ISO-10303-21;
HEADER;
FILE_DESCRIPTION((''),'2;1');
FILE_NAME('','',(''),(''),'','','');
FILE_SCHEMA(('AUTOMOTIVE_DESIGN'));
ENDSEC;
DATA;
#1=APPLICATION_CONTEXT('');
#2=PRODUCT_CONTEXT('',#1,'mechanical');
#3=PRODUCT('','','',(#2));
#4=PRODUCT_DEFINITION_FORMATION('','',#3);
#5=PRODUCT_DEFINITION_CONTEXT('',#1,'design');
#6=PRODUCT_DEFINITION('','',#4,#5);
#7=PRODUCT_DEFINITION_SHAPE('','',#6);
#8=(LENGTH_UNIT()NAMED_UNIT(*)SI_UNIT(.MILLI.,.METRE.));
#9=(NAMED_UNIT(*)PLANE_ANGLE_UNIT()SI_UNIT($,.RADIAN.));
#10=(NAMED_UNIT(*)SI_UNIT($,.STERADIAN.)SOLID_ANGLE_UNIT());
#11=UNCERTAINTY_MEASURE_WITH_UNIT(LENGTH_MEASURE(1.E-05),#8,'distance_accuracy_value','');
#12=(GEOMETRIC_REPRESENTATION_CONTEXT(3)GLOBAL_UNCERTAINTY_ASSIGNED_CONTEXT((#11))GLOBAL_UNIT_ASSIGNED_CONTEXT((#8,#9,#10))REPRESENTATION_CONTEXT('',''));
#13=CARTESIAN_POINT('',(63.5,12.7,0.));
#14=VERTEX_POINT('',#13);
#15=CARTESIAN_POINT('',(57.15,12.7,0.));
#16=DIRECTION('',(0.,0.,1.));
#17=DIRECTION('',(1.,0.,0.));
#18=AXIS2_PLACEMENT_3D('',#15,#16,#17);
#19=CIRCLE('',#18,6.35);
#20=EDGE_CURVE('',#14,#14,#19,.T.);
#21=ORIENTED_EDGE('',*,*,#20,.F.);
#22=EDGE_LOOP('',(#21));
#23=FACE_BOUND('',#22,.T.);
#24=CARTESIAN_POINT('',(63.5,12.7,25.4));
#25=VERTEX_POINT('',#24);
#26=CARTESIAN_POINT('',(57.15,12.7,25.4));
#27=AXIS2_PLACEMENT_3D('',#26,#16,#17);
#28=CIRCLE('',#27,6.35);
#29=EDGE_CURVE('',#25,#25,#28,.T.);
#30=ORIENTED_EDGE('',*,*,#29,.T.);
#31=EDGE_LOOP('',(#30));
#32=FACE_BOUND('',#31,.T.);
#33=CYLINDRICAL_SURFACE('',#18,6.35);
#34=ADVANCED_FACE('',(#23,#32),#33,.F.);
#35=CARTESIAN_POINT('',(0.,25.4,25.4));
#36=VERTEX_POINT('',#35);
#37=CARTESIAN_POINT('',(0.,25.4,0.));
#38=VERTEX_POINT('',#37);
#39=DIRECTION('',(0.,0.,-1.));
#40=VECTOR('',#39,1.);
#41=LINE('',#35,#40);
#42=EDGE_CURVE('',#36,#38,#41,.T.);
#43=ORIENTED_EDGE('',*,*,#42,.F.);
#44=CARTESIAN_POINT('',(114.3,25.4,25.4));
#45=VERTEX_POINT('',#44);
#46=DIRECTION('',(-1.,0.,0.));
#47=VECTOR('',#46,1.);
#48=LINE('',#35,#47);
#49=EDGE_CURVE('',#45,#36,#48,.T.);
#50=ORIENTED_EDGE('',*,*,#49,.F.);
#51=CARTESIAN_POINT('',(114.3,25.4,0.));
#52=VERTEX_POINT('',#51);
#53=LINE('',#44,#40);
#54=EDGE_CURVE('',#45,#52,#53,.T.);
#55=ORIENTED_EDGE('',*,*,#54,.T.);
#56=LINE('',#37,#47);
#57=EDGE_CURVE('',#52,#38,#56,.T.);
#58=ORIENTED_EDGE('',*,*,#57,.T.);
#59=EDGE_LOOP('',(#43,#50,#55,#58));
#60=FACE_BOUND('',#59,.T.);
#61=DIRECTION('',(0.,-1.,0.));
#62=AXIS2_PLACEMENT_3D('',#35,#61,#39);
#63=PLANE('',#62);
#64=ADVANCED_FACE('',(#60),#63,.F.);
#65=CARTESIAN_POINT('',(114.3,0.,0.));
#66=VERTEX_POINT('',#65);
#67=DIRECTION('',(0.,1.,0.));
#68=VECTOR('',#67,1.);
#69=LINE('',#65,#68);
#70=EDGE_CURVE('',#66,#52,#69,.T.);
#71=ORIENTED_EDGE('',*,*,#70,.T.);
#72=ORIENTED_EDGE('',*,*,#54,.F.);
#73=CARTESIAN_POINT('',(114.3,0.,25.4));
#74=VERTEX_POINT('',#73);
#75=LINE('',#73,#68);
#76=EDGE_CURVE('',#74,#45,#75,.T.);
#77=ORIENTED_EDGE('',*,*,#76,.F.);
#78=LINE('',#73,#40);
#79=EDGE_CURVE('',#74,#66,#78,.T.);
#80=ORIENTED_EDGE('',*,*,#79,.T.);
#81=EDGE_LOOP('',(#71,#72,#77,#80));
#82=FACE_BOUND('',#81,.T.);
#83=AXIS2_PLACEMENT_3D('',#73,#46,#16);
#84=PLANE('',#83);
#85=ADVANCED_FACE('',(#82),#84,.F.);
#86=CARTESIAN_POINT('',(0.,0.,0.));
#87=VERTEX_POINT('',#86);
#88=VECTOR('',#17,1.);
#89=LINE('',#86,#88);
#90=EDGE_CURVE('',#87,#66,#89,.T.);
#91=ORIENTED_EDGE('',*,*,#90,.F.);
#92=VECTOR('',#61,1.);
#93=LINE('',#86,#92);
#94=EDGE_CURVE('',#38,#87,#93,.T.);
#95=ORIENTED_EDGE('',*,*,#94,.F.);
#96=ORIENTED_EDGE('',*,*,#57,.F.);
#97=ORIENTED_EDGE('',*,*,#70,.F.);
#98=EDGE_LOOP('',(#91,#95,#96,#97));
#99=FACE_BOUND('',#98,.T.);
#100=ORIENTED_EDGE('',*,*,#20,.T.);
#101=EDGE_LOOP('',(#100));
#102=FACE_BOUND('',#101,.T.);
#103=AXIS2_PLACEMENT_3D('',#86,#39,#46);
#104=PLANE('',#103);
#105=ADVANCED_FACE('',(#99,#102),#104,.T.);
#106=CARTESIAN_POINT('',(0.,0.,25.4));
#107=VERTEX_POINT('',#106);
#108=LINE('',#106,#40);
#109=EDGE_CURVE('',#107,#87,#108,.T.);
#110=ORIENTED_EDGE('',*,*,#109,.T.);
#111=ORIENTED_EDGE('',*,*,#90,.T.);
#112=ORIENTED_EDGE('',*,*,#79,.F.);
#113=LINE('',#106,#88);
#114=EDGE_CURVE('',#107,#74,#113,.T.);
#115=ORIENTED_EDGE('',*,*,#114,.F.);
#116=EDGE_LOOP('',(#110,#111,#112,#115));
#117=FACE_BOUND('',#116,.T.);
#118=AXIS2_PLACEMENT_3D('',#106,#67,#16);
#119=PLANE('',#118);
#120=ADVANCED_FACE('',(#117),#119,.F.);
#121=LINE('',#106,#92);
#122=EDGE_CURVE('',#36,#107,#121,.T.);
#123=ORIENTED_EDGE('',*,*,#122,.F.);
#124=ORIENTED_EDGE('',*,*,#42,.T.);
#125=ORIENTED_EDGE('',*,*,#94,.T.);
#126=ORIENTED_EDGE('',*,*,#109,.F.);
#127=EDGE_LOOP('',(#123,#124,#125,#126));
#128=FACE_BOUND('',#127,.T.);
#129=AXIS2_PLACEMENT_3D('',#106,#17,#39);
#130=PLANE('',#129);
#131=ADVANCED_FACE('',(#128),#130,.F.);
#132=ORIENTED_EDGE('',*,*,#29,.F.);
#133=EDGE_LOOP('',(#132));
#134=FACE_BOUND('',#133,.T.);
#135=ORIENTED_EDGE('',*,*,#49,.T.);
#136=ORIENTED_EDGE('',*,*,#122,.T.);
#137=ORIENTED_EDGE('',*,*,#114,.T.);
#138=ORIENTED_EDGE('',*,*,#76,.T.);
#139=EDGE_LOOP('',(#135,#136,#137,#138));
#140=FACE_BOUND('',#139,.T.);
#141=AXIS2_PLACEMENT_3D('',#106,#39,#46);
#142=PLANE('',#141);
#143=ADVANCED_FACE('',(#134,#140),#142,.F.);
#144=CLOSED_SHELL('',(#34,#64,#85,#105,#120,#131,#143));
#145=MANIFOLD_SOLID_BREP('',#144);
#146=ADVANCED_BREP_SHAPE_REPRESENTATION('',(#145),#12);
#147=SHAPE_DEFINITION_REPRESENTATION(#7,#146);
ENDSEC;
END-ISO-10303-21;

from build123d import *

# Parameters (mm, degrees)
SKETCH1_W           = 114.3
SKETCH1_H           = 25.4
BOSS_EXTRUDE1_DEPTH = 25.4
SKETCH2_R           = 6.35
CUT_EXTRUDE1_DEPTH  = 120.811560377


with BuildPart() as part:
    # Sketch1 → Boss-Extrude1 (new body)
    with BuildSketch(Plane.XY):
        with Locations((57.15, 12.7)):
            Rectangle(SKETCH1_W, SKETCH1_H)
    extrude(amount=BOSS_EXTRUDE1_DEPTH)

    # Sketch2 → Cut-Extrude1 (cut, through all)
    with BuildSketch(Plane.XY.offset(25.4)):
        with Locations((57.15, 12.7)):
            Circle(SKETCH2_R)
    extrude(amount=-CUT_EXTRUDE1_DEPTH, mode=Mode.SUBTRACT)


solid = part.part
